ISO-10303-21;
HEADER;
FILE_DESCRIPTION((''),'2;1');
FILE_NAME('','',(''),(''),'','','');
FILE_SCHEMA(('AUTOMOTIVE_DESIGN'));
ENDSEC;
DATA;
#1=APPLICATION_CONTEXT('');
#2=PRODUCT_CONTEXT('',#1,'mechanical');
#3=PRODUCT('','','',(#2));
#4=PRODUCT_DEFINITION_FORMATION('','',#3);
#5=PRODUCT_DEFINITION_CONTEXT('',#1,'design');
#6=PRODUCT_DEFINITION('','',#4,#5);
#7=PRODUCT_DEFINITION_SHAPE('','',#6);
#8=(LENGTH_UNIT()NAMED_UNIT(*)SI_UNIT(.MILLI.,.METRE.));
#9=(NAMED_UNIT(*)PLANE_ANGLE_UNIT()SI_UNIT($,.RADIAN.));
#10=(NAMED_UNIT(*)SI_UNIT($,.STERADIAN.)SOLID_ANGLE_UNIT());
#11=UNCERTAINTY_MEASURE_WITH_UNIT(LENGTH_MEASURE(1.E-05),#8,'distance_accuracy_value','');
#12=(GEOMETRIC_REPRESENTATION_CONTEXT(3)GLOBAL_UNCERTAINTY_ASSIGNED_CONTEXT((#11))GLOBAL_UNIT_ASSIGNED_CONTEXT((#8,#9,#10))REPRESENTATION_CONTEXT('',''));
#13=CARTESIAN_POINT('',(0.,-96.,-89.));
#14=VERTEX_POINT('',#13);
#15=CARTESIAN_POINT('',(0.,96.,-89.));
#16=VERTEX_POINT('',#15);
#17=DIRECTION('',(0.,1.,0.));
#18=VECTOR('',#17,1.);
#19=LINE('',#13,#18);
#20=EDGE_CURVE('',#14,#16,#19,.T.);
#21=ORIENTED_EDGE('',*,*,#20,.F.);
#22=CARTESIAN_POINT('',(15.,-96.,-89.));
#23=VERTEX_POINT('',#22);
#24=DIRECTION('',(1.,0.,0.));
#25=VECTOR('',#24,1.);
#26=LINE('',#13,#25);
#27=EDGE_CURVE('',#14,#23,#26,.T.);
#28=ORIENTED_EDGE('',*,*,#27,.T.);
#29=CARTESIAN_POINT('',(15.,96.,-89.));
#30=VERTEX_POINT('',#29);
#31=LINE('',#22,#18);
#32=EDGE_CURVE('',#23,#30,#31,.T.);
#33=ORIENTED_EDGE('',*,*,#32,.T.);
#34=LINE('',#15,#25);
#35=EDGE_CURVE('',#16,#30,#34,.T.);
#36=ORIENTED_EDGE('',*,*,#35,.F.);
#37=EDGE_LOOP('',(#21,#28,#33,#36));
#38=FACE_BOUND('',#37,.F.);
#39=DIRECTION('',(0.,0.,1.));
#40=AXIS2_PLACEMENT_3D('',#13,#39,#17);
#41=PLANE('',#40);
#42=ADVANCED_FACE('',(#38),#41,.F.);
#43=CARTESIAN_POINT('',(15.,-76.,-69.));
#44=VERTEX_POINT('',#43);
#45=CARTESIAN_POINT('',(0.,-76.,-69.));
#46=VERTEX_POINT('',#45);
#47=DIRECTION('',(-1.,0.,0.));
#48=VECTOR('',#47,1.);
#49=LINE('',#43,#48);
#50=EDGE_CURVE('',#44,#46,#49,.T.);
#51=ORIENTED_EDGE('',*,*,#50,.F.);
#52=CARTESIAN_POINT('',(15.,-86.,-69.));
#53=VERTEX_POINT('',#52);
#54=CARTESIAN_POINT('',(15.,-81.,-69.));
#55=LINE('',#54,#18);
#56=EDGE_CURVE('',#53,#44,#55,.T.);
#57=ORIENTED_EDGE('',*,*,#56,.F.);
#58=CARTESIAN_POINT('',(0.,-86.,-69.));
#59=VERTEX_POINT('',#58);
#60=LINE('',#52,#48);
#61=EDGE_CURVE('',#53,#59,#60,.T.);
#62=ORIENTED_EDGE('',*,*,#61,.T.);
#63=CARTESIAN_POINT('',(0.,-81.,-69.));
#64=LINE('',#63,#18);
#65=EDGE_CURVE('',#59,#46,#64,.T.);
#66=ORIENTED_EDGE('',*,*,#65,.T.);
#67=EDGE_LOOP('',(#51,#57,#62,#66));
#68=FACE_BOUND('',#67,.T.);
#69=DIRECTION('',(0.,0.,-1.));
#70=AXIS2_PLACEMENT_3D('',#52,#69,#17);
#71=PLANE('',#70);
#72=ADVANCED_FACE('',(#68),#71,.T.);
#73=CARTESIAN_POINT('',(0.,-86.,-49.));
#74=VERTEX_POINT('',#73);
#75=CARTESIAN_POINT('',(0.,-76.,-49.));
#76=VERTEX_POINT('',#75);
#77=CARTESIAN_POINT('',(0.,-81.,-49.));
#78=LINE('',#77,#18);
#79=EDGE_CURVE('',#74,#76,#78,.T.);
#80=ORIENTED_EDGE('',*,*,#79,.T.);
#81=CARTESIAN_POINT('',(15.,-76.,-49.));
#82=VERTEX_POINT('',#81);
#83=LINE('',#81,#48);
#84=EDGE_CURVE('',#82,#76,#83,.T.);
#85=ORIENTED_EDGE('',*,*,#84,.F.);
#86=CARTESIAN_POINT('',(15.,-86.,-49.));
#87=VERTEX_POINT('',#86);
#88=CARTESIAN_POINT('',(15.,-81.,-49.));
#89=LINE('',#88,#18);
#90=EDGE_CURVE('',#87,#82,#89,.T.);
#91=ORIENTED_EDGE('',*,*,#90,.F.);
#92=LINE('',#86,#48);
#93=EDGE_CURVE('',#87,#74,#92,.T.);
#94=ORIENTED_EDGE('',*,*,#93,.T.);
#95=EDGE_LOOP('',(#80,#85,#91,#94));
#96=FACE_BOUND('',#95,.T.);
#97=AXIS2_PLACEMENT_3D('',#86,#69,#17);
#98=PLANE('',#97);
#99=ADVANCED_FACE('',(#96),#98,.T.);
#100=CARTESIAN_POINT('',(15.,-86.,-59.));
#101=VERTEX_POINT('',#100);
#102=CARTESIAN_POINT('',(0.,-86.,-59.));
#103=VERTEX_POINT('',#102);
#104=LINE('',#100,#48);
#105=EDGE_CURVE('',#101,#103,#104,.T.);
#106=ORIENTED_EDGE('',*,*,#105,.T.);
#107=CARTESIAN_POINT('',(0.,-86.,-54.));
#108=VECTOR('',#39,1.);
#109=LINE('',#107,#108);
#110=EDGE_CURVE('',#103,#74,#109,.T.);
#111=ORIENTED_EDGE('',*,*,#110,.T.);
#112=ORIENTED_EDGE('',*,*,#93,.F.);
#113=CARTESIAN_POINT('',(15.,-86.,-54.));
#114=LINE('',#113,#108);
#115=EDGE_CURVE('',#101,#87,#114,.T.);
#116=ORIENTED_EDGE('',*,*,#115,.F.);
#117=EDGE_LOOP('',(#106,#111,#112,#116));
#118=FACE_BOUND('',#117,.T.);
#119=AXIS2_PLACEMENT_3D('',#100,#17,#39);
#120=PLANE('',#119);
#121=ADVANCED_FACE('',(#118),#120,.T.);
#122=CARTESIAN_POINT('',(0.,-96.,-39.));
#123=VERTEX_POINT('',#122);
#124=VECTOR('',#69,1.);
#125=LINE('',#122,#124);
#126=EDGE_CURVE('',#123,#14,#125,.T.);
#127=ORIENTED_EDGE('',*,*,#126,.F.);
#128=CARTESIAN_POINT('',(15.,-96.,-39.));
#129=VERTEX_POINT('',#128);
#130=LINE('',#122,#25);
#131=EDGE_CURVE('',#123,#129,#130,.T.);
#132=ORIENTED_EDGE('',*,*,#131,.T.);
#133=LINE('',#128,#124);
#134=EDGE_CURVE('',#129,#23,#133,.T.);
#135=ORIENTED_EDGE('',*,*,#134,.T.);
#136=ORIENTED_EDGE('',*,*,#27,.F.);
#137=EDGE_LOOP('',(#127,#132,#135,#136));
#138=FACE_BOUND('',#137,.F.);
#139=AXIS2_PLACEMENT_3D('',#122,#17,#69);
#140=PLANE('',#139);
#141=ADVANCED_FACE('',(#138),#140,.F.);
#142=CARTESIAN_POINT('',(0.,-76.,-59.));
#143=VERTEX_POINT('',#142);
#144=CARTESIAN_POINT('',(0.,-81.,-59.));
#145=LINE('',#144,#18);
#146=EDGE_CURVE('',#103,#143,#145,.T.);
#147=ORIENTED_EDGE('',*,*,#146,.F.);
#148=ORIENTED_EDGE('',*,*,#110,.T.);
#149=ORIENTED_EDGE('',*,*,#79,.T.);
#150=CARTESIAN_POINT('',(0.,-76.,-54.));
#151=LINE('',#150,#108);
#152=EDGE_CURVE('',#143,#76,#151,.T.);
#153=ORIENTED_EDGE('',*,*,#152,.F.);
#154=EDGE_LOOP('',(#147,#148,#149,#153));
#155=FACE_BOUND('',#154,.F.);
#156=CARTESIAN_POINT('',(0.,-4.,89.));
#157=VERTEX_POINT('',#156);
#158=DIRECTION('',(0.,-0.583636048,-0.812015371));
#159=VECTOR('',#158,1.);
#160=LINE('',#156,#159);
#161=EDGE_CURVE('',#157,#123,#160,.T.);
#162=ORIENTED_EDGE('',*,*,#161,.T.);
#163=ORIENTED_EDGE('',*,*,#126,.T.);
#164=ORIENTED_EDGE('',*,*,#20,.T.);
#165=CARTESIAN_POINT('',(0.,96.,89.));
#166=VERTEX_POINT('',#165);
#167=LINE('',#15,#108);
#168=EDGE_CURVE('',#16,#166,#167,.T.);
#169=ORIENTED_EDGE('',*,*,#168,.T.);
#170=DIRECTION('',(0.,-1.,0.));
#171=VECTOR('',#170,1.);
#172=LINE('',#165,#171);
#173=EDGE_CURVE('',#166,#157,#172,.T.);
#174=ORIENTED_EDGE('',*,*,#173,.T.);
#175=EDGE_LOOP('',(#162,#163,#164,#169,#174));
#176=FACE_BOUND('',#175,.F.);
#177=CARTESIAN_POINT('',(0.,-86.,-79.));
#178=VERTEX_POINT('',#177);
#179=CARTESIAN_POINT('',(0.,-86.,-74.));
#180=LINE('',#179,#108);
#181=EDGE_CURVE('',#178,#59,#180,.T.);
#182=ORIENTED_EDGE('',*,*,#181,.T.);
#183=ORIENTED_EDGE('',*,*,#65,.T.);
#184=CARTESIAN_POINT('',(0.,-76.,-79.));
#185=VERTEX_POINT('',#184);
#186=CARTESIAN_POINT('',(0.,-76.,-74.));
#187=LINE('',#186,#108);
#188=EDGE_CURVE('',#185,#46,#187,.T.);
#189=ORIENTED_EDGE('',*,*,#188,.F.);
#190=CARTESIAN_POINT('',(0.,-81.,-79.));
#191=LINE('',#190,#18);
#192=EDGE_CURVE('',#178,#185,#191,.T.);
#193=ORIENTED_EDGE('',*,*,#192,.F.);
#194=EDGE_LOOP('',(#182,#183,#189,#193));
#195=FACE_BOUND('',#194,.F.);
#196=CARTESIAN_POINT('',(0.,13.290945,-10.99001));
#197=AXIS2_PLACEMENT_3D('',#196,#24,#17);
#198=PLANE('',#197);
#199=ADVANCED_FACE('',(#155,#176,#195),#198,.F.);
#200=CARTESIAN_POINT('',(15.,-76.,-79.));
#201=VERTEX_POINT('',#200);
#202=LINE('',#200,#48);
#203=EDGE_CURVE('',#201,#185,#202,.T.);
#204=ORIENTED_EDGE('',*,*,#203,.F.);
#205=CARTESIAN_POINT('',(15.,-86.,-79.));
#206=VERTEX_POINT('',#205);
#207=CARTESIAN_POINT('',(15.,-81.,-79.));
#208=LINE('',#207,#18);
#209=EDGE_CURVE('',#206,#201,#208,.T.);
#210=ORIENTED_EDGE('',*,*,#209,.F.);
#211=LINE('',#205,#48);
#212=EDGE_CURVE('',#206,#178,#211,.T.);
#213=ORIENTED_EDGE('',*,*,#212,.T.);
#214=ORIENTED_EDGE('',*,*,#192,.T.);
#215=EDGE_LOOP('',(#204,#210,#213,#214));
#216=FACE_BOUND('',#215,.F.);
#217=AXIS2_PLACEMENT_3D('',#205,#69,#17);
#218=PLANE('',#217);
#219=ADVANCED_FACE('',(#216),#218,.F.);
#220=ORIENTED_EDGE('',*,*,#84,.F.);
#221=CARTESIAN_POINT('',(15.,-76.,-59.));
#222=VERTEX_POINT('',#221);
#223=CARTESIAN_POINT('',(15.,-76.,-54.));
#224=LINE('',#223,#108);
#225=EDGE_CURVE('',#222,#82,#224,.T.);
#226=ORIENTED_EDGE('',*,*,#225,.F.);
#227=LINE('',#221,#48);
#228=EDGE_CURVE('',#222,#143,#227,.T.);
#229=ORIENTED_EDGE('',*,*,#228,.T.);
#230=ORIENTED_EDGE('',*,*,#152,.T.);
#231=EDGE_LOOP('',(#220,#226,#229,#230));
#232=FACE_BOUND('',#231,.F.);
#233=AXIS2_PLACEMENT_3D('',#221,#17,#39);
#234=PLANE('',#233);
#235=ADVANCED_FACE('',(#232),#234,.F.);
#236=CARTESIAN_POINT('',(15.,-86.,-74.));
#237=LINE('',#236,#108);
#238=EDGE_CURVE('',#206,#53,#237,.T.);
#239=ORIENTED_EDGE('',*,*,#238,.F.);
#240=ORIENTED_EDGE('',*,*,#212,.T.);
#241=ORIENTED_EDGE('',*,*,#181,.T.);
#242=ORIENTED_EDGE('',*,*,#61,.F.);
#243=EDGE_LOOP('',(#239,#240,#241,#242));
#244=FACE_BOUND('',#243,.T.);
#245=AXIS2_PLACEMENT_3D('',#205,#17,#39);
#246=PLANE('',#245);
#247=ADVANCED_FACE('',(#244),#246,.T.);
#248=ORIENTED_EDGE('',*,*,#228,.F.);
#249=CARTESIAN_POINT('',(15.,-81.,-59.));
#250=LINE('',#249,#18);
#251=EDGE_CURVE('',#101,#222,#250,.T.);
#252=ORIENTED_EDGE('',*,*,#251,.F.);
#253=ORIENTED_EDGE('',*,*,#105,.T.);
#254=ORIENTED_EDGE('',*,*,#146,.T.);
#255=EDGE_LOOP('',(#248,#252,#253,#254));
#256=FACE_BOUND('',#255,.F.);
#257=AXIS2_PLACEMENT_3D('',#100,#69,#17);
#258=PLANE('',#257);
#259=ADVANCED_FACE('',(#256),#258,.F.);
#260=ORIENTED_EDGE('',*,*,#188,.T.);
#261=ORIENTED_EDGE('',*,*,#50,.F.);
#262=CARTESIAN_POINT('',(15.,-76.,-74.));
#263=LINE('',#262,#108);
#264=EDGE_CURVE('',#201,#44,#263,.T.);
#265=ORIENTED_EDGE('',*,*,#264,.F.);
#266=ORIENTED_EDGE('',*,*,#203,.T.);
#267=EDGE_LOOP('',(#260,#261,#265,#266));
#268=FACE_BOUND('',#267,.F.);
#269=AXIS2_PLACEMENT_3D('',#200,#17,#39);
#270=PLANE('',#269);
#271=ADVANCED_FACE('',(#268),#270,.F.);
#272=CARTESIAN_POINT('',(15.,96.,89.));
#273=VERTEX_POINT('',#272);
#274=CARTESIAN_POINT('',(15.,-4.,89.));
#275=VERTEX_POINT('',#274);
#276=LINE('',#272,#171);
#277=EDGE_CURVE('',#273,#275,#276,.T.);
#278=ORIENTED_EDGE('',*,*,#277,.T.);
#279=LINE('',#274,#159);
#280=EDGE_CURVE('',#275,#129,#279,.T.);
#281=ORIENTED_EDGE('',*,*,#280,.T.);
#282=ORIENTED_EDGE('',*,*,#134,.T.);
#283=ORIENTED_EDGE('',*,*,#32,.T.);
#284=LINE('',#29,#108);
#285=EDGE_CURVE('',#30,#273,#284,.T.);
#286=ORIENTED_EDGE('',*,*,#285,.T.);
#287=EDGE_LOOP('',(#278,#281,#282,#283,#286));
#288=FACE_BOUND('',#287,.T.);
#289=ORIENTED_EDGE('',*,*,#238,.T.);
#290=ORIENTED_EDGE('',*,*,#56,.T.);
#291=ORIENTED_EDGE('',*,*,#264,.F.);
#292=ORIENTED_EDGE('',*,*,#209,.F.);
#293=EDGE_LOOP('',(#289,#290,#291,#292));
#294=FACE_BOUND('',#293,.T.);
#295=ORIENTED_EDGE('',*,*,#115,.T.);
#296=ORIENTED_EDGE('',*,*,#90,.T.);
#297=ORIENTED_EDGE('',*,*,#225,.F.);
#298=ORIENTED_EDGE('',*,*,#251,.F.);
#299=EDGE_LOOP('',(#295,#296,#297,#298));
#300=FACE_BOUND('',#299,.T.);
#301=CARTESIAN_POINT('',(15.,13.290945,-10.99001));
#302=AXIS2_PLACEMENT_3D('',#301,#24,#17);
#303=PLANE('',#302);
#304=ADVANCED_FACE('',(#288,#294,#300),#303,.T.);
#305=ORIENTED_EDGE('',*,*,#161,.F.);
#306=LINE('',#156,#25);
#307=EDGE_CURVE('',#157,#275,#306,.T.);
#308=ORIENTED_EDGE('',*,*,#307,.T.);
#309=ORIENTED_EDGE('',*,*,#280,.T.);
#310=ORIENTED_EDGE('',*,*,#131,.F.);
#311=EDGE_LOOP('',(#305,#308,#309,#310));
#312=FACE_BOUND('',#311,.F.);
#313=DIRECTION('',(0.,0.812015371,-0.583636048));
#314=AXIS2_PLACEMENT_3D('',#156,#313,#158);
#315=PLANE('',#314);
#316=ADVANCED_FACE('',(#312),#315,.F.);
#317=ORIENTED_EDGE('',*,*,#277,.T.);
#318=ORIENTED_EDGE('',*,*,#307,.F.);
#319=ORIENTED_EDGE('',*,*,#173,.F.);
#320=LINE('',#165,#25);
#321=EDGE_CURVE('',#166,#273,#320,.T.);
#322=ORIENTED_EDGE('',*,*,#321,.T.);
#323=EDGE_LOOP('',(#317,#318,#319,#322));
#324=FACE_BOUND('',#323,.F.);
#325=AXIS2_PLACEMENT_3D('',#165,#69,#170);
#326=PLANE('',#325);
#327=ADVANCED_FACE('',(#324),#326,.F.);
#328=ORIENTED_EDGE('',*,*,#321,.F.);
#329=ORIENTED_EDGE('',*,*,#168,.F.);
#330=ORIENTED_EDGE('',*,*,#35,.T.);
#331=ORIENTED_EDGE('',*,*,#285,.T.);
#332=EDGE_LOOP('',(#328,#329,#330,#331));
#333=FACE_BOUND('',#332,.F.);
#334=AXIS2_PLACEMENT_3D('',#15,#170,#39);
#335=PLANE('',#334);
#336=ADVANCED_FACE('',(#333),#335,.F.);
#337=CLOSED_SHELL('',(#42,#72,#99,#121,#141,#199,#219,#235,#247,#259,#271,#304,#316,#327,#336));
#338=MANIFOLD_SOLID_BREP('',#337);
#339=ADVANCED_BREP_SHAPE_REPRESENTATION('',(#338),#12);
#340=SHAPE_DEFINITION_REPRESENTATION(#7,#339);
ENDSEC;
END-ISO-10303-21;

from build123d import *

# Parameters (mm, degrees)
F1_DEPTH = 15
F2_W     = 10
F2_H     = 10
F3_DEPTH = 15


with BuildPart() as f1:
    # F0 (on Right) → F1 (new body)
    with BuildSketch(Plane.YZ):
        Polygon((-96, -89), (96, -89), (96, 89), (-4, 89), (-96, -39), align=None)
    extrude(amount=F1_DEPTH)

    # F2 (on face) → F3 (cut)
    with BuildSketch(Plane.YZ.offset(15)):
        with Locations((-81, -54)):
            Rectangle(F2_W, F2_H)
        with Locations((-81, -74)):
            Rectangle(F2_W, F2_H)
    extrude(amount=-F3_DEPTH, mode=Mode.SUBTRACT)


solid = f1.part
